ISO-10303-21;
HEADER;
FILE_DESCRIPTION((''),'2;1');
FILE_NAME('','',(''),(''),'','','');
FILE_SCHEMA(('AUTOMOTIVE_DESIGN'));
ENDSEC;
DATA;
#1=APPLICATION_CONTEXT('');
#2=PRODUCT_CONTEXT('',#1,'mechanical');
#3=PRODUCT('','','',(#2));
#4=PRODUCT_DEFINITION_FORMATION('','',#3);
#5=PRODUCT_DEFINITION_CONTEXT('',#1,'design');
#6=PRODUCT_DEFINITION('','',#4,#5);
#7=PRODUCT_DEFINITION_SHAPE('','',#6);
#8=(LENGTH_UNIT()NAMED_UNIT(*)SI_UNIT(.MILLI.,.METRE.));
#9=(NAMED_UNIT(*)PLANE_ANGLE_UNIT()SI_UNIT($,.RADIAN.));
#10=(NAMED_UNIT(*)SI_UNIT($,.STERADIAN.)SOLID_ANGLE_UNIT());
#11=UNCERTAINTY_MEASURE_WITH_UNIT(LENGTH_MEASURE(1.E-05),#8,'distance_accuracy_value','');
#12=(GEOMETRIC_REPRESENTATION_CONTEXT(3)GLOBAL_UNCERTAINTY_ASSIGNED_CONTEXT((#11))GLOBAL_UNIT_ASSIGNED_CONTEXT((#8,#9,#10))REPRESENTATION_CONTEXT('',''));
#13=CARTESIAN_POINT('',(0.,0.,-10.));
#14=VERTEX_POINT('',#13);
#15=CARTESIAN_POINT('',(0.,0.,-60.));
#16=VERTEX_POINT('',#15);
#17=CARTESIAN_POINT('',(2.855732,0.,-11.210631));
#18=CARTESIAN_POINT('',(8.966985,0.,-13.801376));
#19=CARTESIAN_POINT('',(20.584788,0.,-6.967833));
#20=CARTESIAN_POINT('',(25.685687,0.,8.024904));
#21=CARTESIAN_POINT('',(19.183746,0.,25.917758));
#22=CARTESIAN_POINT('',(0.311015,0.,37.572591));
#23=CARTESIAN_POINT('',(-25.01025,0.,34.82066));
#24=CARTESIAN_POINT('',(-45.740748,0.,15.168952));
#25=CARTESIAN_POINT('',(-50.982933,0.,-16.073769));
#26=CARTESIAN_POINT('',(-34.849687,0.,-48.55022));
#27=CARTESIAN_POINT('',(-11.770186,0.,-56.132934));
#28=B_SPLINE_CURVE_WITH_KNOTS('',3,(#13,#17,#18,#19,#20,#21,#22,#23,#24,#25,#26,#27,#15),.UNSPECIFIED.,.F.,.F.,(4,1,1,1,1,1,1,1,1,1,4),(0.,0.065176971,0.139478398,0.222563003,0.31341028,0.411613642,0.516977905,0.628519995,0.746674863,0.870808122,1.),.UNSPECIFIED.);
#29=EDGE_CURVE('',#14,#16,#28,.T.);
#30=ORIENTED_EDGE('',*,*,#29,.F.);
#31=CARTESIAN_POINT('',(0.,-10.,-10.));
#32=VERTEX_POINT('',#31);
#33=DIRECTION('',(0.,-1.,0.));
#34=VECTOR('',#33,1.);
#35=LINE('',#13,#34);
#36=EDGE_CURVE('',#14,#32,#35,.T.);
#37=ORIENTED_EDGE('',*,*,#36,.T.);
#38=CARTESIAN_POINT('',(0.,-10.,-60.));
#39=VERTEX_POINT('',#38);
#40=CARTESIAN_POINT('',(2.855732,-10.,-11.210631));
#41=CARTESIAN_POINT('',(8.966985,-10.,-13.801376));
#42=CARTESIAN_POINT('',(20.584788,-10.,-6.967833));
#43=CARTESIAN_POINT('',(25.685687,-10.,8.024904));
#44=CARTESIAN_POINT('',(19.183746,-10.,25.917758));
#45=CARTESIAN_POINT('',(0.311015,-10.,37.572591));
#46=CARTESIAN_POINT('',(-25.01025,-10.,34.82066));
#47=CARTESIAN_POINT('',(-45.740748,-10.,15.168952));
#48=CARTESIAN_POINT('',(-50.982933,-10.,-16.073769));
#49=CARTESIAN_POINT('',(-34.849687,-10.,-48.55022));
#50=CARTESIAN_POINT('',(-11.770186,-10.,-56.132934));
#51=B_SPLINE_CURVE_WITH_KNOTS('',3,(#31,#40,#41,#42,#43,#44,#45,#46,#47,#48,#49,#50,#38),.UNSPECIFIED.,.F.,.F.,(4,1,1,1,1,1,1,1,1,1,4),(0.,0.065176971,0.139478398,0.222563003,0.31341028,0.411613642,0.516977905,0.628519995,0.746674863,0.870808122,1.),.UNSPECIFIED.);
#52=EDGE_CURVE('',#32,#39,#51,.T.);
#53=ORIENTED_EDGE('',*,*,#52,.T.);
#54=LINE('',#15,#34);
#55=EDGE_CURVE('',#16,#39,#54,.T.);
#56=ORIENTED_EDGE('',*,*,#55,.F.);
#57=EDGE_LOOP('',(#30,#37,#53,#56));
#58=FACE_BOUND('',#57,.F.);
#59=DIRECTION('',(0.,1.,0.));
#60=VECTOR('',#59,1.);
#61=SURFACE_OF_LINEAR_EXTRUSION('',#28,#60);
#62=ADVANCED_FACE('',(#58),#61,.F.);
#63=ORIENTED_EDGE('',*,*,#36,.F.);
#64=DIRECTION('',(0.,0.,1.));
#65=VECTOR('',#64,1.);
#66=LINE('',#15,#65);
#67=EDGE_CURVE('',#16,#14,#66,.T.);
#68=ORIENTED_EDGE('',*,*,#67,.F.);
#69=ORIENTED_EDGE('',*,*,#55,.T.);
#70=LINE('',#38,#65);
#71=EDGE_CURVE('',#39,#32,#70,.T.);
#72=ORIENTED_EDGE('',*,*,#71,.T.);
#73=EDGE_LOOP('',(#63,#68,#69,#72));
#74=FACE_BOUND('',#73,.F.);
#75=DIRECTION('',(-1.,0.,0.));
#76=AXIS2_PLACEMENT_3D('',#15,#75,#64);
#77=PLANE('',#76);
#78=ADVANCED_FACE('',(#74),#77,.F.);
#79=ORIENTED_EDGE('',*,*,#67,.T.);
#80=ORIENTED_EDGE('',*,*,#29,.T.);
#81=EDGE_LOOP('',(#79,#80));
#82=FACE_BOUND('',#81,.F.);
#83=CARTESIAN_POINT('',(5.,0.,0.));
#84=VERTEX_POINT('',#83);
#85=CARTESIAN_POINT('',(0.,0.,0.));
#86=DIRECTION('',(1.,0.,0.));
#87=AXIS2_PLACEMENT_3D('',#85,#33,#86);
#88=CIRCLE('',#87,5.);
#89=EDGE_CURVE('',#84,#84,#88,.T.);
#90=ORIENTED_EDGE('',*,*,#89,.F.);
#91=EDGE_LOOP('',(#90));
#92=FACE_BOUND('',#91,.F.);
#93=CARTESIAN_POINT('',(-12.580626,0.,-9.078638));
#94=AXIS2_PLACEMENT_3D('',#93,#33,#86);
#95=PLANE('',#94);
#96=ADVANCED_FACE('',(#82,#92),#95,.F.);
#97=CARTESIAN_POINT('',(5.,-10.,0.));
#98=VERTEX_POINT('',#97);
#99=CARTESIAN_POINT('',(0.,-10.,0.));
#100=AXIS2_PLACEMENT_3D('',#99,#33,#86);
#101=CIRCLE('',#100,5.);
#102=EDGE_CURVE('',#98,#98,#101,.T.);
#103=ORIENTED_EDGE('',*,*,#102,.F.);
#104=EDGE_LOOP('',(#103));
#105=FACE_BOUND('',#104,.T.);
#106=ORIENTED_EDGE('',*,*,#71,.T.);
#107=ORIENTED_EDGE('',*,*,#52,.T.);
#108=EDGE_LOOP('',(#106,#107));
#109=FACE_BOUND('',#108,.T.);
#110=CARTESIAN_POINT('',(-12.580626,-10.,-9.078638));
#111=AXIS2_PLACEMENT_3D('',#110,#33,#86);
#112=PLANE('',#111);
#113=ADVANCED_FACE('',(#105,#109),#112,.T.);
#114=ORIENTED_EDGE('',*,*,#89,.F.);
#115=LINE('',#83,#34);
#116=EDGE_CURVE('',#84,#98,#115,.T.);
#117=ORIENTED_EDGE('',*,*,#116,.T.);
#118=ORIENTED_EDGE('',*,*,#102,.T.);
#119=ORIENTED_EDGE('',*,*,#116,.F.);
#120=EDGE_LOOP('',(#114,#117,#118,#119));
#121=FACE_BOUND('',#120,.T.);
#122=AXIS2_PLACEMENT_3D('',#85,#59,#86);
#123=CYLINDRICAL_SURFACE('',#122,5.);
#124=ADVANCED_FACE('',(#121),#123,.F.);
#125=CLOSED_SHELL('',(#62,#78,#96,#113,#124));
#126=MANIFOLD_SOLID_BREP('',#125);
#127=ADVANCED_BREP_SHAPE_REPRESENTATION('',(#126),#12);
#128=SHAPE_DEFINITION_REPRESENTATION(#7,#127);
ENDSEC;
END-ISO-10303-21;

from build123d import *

# Parameters (mm, degrees)
F0_R     = 5
F1_DEPTH = 10


with BuildPart() as f1:
    # F0 (on Front) → F1 (new body)
    with BuildSketch(Plane.XZ):
        with BuildLine():
            Line((0, -60), (0, -10))
            add(Edge.make_bspline(
                [(0, -10), (2.8557320657, -11.2106310467), (8.9669847042, -13.8013755592), (20.5847877531, -6.9678331332), (25.6856872566, 8.0249042439), (19.183746461, 25.9177580319), (0.3110148569, 37.572591461), (-25.0102497939, 34.8206602842), (-45.7407483513, 15.16895238), (-50.9829330961, -16.0737687029), (-34.8496871839, -48.550220252), (-11.7701863112, -56.1329339875), (0, -60)],
                knots=[0, 0, 0, 0, 0.0651769705, 0.1394783977, 0.2225630026, 0.3134102804, 0.4116136416, 0.5169779053, 0.6285199954, 0.7466748628, 0.870808122, 1, 1, 1, 1], degree=3))
        make_face()
        Circle(F0_R, mode=Mode.SUBTRACT)
    extrude(amount=F1_DEPTH)


solid = f1.part
